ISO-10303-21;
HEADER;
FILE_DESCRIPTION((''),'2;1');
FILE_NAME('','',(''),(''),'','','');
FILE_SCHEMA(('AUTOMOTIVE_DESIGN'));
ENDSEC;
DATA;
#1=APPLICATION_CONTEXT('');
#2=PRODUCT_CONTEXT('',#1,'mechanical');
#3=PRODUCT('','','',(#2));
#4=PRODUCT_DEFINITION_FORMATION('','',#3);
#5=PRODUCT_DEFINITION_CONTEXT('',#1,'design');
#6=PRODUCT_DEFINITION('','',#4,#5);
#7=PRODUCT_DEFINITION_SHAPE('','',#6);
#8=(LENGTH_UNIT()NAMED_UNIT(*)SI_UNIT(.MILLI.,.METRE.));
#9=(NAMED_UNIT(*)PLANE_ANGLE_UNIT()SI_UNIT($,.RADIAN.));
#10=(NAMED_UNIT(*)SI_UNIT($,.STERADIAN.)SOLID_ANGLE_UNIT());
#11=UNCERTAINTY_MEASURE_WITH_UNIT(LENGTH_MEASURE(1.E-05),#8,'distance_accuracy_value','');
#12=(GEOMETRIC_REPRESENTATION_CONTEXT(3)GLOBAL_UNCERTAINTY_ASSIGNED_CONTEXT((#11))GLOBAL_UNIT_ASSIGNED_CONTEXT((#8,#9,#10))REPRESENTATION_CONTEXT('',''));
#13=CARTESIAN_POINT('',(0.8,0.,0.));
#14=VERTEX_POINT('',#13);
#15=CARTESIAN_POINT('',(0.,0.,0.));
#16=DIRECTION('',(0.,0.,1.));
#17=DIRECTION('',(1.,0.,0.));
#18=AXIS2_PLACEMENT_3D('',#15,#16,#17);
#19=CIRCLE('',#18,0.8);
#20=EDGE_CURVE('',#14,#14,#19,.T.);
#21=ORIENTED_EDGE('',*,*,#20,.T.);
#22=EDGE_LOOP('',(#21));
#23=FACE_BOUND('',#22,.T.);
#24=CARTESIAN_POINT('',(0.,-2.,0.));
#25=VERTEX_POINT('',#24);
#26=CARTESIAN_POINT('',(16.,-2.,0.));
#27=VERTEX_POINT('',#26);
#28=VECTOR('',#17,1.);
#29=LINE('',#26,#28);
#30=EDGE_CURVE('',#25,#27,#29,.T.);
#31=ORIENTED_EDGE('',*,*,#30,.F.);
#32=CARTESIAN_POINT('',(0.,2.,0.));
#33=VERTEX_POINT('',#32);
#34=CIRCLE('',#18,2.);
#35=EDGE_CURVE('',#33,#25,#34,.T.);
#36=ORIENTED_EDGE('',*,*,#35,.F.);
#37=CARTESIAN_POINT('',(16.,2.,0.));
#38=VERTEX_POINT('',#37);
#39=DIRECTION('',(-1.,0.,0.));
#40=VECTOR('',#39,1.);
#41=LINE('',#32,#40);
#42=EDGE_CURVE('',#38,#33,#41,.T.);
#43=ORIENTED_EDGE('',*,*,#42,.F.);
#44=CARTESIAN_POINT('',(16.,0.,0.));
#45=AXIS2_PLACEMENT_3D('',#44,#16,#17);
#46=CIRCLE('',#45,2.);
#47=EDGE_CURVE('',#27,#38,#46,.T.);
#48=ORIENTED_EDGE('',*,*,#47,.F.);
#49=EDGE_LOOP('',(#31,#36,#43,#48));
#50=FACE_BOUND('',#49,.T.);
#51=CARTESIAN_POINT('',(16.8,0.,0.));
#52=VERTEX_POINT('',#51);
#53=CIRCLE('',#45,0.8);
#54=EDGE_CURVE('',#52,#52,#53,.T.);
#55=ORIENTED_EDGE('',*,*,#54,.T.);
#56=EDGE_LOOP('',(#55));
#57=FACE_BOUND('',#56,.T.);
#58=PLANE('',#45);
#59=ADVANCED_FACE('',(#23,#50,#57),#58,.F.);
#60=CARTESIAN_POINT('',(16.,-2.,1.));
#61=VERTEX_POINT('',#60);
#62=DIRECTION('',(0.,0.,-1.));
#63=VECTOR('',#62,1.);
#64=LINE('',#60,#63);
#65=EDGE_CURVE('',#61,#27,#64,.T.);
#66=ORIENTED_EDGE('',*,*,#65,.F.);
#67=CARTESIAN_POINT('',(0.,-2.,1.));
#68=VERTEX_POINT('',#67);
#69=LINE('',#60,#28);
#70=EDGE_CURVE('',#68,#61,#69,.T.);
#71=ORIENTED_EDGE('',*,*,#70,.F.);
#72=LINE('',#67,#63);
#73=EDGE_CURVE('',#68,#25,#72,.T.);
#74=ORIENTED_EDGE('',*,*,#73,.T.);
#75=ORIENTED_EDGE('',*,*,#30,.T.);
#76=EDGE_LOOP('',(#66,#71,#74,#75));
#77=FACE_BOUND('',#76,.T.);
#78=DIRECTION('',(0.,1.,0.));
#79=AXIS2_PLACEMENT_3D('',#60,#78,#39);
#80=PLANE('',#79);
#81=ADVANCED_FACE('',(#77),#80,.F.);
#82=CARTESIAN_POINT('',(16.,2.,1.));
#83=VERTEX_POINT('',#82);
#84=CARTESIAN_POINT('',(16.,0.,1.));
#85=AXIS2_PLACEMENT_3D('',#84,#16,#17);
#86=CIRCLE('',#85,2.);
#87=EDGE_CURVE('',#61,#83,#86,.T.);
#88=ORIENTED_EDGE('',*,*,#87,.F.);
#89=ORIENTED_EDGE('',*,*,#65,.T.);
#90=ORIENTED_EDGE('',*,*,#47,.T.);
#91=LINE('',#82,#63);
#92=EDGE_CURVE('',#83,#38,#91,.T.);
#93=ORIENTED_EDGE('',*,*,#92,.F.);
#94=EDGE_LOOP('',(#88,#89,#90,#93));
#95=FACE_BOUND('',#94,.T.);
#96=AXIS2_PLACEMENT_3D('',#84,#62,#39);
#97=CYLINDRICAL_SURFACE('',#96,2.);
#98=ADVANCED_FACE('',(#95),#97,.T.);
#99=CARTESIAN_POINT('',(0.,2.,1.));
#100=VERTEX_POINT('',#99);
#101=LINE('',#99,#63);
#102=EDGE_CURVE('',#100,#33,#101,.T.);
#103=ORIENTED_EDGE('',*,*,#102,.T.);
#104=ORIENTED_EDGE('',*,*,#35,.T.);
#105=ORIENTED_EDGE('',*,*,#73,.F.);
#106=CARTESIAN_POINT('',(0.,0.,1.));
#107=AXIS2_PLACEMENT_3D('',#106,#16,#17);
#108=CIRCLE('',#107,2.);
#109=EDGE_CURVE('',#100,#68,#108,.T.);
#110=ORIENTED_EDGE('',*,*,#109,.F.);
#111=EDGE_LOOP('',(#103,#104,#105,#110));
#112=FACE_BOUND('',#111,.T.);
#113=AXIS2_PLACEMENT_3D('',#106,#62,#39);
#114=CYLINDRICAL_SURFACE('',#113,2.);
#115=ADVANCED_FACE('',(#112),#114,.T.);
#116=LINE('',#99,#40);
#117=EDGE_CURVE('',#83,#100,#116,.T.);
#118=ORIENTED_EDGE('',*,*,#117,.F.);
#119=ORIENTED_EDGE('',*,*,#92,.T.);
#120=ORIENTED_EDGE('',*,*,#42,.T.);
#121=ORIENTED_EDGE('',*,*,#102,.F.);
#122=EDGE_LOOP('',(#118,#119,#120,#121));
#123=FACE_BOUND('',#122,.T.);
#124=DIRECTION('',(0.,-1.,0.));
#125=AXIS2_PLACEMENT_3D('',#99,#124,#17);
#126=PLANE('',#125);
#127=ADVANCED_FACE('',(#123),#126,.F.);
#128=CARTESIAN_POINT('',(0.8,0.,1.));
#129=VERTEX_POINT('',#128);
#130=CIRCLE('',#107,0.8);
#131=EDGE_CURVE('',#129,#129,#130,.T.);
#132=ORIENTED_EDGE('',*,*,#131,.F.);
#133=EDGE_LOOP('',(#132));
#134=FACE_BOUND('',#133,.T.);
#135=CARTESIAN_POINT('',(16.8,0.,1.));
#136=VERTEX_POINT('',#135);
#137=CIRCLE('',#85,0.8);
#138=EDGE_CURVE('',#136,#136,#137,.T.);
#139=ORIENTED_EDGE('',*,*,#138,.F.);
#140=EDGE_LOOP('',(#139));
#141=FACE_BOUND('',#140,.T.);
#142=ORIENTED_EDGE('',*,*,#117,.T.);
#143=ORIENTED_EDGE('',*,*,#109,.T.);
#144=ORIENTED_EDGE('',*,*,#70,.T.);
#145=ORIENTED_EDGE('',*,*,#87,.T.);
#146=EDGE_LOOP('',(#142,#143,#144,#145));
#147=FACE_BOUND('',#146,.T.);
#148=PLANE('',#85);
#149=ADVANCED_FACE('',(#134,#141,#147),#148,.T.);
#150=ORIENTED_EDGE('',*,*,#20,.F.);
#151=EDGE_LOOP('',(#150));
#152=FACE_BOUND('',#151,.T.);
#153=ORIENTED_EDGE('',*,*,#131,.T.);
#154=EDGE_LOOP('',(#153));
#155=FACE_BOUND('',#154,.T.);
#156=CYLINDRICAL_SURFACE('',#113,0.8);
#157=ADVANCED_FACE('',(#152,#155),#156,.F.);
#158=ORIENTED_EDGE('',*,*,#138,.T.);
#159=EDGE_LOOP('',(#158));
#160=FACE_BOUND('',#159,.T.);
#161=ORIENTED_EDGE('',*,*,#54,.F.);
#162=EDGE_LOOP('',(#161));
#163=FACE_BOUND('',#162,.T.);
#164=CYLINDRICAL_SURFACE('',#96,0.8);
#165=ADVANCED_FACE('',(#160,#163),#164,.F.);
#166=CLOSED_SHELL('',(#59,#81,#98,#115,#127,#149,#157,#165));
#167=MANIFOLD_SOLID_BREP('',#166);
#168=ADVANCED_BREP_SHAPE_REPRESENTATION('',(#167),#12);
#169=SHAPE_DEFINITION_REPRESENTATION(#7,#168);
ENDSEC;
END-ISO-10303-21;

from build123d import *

# Parameters (mm, degrees)
SKETCH1_R           = 0.8
BOSS_EXTRUDE1_DEPTH = 1


with BuildPart() as part:
    # Sketch1 → Boss-Extrude1 (new body)
    with BuildSketch(Plane.XY):
        with BuildLine():
            Line((16, -2), (0, -2))
            ThreePointArc((0, -2), (-2, 0), (0, 2))
            Line((0, 2), (16, 2))
            ThreePointArc((16, 2), (18, 0), (16, -2))
        make_face()
        Circle(SKETCH1_R, mode=Mode.SUBTRACT)
        with Locations((16, 0)):
            Circle(SKETCH1_R, mode=Mode.SUBTRACT)
    extrude(amount=BOSS_EXTRUDE1_DEPTH)


solid = part.part
